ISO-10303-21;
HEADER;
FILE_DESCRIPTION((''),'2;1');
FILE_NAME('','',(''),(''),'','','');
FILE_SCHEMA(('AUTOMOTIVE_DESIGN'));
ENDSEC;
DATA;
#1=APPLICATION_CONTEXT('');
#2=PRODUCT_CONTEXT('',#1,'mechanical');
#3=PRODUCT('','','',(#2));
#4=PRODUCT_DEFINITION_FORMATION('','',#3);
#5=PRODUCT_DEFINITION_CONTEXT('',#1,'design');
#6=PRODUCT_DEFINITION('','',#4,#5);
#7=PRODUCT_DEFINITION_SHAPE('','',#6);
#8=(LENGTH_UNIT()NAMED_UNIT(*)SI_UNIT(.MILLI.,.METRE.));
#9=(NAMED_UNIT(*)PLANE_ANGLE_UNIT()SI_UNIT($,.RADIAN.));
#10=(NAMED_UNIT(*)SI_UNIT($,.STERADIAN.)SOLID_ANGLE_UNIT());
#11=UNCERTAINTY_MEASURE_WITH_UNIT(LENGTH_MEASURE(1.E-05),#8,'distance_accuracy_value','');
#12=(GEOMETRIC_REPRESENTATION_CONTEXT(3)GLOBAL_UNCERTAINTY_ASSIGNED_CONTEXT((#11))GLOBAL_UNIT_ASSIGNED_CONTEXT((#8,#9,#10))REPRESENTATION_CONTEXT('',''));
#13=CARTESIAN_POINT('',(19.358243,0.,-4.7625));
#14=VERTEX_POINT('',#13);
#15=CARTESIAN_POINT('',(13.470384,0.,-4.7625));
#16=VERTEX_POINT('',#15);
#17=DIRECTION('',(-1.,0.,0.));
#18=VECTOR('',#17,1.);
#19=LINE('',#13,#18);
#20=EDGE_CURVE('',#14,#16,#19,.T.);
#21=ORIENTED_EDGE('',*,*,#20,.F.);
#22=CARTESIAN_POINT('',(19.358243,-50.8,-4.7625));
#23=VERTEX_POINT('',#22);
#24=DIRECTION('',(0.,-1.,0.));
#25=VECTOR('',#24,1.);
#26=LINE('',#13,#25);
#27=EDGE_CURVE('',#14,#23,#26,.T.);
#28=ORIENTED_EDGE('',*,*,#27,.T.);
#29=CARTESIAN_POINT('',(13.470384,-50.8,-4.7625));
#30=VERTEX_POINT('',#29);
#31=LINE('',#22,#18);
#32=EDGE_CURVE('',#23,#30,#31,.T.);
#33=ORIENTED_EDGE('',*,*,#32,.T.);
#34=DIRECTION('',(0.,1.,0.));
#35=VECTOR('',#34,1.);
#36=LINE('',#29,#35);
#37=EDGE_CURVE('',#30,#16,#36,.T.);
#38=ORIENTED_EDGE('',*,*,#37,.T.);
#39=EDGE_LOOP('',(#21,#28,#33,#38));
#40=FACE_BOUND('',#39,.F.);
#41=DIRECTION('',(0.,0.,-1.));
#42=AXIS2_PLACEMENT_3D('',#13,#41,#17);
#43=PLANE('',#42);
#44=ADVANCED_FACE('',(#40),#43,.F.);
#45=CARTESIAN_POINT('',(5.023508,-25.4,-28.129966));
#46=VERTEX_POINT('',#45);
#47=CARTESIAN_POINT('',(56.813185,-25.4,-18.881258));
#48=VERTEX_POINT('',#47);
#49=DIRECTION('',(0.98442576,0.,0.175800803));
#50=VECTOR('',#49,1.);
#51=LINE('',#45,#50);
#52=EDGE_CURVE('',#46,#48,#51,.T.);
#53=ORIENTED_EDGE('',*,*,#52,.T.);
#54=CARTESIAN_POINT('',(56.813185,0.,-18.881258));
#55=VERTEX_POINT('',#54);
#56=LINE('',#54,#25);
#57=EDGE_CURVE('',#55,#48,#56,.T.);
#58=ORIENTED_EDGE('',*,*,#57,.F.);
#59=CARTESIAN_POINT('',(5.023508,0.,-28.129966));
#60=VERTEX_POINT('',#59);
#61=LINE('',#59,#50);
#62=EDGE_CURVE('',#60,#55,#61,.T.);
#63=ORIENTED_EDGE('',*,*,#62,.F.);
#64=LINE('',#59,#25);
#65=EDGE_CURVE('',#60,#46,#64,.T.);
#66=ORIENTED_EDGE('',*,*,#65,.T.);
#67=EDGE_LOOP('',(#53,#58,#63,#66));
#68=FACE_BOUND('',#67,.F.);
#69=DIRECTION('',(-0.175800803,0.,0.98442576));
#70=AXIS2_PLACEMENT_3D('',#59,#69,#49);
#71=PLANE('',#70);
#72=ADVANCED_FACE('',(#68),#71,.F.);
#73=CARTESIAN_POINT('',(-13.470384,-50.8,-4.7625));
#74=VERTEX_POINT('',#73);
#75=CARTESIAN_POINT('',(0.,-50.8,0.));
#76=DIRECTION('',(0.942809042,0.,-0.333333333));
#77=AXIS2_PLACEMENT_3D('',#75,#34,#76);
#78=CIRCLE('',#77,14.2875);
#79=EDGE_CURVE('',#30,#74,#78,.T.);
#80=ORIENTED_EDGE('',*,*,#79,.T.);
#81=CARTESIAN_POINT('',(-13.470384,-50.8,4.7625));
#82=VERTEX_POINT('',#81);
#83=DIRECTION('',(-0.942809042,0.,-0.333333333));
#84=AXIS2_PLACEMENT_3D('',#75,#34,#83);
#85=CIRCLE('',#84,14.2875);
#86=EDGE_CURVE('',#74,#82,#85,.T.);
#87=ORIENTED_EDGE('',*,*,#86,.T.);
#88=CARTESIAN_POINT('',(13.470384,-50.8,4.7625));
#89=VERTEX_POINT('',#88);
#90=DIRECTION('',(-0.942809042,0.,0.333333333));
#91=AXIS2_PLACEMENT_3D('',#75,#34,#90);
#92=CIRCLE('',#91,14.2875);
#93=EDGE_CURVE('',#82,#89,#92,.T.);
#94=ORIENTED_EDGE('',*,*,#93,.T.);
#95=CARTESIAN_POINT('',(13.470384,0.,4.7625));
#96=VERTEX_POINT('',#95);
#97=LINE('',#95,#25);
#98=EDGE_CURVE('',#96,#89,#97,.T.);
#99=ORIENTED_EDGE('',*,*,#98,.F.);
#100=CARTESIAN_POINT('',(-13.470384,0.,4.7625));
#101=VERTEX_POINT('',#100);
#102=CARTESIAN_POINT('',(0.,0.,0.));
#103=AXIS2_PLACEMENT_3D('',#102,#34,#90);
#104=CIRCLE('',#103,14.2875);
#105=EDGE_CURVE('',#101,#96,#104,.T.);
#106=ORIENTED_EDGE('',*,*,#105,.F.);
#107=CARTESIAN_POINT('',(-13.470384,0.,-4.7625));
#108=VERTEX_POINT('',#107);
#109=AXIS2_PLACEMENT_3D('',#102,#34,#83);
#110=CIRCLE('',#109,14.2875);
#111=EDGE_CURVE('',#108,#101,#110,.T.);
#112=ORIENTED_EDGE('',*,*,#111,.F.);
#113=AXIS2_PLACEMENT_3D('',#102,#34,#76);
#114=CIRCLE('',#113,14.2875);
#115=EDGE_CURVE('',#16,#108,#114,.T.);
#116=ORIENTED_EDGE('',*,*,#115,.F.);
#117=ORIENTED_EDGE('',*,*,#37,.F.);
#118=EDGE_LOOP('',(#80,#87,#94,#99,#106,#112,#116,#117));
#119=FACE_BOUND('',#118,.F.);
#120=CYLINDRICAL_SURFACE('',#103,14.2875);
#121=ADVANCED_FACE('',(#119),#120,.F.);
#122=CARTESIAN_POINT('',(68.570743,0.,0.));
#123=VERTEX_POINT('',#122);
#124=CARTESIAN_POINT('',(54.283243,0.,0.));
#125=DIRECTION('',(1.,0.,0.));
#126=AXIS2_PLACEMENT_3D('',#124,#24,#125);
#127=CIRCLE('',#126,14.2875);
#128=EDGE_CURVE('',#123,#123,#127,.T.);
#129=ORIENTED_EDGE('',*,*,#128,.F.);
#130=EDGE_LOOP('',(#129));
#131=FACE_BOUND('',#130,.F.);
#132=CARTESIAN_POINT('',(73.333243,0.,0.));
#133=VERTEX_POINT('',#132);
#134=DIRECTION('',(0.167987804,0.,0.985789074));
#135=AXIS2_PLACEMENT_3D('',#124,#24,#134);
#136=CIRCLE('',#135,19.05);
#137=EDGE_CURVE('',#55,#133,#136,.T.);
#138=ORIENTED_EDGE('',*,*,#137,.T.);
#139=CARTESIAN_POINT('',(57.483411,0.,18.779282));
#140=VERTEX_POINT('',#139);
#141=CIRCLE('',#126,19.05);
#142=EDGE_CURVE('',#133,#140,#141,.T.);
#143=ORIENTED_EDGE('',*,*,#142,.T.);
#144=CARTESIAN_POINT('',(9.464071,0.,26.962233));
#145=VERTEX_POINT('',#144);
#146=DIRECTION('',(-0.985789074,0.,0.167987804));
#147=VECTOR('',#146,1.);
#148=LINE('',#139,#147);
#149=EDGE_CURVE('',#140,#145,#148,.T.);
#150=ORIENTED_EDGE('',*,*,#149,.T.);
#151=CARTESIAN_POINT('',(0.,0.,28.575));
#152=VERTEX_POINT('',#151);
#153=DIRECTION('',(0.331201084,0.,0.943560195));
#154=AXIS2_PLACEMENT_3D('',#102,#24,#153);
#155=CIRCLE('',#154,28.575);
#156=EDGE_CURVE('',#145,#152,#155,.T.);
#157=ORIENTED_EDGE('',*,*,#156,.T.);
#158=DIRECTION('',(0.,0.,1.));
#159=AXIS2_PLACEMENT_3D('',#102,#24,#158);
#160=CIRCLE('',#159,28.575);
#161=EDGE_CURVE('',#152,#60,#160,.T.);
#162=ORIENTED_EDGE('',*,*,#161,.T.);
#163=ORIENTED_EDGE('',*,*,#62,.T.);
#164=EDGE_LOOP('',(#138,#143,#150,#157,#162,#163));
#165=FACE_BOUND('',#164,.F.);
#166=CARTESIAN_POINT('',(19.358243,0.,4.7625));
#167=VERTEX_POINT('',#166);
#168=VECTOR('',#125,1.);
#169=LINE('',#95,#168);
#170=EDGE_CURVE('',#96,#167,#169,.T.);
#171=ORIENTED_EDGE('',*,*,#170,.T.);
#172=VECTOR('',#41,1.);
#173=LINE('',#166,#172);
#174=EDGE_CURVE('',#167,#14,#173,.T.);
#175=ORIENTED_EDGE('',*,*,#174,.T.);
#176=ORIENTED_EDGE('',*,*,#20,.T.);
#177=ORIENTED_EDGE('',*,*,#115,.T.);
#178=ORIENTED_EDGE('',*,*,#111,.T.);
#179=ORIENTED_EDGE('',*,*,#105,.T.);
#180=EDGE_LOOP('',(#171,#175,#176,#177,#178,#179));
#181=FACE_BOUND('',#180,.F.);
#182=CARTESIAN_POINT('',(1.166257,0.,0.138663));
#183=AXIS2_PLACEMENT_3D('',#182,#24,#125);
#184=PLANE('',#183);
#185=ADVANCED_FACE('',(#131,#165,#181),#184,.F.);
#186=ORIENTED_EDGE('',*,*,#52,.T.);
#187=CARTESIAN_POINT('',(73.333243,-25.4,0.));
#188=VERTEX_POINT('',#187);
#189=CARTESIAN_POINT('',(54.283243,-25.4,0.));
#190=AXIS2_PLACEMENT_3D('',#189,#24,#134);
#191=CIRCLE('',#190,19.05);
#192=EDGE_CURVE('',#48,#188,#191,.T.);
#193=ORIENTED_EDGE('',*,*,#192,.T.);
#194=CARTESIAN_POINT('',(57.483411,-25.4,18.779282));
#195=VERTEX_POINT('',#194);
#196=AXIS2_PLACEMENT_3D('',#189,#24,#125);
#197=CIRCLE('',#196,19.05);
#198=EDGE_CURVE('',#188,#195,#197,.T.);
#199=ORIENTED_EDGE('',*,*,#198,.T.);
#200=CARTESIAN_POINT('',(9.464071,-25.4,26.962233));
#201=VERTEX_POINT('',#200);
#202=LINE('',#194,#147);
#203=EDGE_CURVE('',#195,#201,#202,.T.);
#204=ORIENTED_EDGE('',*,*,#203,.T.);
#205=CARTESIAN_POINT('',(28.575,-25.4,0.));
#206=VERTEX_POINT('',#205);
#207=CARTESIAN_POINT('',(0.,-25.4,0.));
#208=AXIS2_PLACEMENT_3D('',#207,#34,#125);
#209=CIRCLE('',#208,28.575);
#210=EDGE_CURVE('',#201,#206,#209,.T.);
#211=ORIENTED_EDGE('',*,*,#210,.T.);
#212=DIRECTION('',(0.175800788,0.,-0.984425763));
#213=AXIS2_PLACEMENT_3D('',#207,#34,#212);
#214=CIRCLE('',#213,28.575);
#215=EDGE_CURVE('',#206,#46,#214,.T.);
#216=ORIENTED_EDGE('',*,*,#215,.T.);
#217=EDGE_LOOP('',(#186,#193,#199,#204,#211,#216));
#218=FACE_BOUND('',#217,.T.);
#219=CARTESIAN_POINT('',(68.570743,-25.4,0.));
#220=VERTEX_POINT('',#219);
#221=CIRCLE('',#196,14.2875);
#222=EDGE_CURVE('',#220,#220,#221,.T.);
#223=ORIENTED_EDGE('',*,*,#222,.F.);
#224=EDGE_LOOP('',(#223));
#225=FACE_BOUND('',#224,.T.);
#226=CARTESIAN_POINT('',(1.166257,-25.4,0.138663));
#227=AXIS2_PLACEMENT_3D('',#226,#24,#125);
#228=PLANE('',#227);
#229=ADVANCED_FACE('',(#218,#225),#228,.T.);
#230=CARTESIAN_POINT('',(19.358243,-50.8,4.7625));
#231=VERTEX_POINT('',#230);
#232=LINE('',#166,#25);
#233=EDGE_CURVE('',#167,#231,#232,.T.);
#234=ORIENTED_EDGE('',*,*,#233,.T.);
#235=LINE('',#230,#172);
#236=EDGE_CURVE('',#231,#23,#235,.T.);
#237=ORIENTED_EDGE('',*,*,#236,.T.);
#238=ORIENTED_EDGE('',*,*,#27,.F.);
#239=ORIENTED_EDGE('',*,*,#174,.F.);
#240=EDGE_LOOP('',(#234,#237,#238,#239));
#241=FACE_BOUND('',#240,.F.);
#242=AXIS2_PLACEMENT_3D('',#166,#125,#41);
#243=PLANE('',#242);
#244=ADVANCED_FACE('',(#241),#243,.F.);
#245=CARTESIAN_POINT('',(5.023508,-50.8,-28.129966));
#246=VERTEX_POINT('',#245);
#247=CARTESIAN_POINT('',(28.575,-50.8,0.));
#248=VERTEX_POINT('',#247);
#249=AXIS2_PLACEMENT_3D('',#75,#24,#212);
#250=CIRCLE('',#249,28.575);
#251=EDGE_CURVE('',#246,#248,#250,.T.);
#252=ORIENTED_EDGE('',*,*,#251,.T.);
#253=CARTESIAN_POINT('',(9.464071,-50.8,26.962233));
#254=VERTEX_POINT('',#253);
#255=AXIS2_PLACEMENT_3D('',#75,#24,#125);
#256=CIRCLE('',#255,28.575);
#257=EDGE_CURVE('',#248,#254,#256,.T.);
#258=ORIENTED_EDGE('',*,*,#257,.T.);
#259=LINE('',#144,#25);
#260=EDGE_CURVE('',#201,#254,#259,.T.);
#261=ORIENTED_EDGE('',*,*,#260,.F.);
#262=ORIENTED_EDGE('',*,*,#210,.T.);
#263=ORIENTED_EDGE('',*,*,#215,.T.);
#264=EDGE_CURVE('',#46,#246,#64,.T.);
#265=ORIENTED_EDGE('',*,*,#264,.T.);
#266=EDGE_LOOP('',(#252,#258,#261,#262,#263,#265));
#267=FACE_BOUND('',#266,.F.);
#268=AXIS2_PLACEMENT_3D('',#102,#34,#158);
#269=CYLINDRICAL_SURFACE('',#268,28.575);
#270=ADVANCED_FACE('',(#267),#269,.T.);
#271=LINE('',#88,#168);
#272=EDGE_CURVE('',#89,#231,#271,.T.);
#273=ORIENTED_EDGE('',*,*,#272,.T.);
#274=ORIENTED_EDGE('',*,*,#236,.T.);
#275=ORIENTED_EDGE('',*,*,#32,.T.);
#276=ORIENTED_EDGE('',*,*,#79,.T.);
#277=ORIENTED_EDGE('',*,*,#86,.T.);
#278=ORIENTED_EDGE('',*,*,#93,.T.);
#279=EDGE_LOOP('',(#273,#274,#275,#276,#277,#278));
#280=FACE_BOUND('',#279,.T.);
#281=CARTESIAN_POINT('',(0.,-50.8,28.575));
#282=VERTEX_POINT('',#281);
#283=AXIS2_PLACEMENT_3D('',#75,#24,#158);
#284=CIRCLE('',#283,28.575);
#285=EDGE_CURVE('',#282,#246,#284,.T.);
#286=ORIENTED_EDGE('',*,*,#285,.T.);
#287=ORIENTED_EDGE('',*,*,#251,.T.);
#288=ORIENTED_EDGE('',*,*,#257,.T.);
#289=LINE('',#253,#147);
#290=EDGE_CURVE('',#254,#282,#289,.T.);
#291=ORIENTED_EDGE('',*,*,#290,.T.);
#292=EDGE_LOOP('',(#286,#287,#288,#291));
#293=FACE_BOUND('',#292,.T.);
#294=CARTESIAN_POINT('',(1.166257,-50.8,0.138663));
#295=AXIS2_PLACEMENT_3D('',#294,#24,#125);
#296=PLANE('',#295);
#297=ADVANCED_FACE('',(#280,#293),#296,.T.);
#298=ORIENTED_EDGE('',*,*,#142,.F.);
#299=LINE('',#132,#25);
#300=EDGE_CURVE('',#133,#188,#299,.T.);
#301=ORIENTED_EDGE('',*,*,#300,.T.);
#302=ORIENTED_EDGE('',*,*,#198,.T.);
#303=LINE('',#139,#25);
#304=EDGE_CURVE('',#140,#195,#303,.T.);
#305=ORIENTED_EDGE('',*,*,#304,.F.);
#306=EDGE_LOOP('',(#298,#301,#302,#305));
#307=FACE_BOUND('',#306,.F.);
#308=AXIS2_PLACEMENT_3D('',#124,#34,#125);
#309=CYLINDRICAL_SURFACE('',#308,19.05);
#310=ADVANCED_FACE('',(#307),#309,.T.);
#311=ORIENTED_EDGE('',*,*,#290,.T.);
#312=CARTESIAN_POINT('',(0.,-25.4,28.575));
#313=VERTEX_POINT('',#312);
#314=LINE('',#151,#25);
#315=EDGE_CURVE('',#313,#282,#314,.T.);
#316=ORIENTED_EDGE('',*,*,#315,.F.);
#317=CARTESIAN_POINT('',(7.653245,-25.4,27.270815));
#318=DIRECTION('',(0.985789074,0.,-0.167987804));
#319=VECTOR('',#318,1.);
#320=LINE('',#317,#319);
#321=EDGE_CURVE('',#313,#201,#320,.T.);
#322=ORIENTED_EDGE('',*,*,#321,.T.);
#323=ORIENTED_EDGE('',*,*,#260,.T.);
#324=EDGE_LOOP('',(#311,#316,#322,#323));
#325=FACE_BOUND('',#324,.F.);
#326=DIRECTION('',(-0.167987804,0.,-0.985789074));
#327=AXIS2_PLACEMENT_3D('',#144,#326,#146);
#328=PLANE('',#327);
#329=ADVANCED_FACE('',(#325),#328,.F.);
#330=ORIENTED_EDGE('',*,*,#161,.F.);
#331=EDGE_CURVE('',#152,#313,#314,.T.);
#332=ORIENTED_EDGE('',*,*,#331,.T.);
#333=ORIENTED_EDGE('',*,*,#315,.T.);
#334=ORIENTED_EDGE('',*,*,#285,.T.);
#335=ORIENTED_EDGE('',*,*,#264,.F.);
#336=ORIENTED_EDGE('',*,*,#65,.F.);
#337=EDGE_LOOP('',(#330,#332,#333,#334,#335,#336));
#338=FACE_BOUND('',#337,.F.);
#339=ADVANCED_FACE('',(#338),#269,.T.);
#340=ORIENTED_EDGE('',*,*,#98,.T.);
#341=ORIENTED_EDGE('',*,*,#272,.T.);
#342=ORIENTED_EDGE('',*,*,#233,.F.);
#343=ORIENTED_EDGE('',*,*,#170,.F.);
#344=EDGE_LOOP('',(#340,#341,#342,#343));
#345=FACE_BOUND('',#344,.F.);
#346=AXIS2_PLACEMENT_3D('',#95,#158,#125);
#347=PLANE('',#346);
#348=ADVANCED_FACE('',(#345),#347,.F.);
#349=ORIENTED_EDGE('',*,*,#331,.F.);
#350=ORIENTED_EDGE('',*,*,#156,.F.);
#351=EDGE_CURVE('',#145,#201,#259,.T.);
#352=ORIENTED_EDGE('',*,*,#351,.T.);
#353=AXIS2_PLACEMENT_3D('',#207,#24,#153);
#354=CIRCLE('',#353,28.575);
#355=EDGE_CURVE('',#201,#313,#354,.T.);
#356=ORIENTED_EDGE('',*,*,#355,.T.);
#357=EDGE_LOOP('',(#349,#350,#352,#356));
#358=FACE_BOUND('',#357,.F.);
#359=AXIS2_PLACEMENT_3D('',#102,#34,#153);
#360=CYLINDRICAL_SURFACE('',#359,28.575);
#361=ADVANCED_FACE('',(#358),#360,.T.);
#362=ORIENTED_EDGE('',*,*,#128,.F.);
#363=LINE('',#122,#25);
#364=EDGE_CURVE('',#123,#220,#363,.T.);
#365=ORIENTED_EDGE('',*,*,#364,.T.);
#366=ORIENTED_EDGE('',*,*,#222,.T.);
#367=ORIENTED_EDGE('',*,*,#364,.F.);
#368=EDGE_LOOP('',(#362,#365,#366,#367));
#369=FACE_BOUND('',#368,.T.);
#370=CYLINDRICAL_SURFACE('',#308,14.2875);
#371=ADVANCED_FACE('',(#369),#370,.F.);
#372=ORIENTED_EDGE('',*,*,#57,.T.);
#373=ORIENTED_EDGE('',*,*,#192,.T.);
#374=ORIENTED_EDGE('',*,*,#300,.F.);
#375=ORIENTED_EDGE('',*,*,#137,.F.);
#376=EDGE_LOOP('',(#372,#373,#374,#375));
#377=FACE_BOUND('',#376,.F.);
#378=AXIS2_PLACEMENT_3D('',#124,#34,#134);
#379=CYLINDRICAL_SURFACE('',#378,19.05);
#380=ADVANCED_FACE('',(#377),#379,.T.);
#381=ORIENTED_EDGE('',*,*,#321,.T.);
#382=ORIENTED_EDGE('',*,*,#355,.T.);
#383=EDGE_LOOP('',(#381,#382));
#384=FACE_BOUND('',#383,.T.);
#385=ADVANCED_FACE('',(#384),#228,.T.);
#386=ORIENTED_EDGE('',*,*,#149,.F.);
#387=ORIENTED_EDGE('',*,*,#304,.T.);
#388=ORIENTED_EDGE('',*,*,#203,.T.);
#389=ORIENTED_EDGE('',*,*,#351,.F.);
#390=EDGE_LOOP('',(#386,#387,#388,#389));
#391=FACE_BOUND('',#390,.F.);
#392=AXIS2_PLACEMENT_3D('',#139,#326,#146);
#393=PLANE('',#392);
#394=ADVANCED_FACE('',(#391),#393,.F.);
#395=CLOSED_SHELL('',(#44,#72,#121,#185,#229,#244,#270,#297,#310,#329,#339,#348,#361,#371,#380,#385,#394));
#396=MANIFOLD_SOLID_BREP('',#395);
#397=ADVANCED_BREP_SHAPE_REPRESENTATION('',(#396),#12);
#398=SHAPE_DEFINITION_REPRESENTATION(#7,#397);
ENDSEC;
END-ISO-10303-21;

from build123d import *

# Parameters (mm, degrees)
F0_R     = 14.2875
F1_DEPTH = 25.4
F2_DEPTH = 50.8


with BuildPart() as f1:
    # F0 (on Front) → F1 (new body)
    with BuildSketch(Plane.XZ):
        with BuildLine():
            ThreePointArc((5.0235075245, -28.1299661776), (21.9097849432, -18.3437168737), (28.575, 0))
            ThreePointArc((28.575, 0), (23.3127267057, 16.5241459249), (9.4640709678, 26.9622325803))
            Line((9.4640709678, 26.9622325803), (0, 28.575))
            ThreePointArc((0, 28.575), (-28.4635241012, -2.5215909141), (5.0235075245, -28.1299661776))
        make_face()
        with BuildLine():
            ThreePointArc((-13.4703841816, 4.7625), (0, 14.2875), (13.4703841816, 4.7625))
            Line((13.4703841816, 4.7625), (19.3582428957, 4.7625))
            Line((19.3582428957, 4.7625), (19.3582428957, -4.7625))
            Line((19.3582428957, -4.7625), (13.4703841816, -4.7625))
            ThreePointArc((13.4703841816, -4.7625), (0, -14.2875), (-13.4703841816, -4.7625))
            Line((-13.4703841816, -4.7625), (-18.7417571043, -4.7625))
            Line((-18.7417571043, -4.7625), (-18.7417571043, 4.7625))
            Line((-18.7417571043, 4.7625), (-13.4703841816, 4.7625))
        make_face(mode=Mode.SUBTRACT)
        with BuildLine():
            ThreePointArc((9.4640709678, 26.9622325803), (23.3127267057, 16.5241459249), (28.575, 0))
            ThreePointArc((28.575, 0), (21.9097849432, -18.3437168737), (5.0235075245, -28.1299661776))
            Line((5.0235075245, -28.1299661776), (56.8131846517, -18.881257763))
            ThreePointArc((56.8131846517, -18.881257763), (35.2362588947, 0.3389697117), (57.4834105655, 18.7792818522))
            Line((57.4834105655, 18.7792818522), (9.4640709678, 26.9622325803))
        make_face()
        with BuildLine():
            Line((0, 28.575), (9.4640709678, 26.9622325803))
            ThreePointArc((9.4640709678, 26.9622325803), (4.8002515047, 28.1689227783), (0, 28.575))
        make_face()
        with BuildLine():
            ThreePointArc((73.3332428957, 0), (68.84115645, 12.2869708612), (57.4834105655, 18.7792818522))
            ThreePointArc((57.4834105655, 18.7792818522), (35.2362588947, 0.3389697117), (56.8131846517, -18.881257763))
            ThreePointArc((56.8131846517, -18.881257763), (68.6202211417, -12.5440645237), (73.3332428957, 0))
        make_face()
        with Locations((54.2832428957, 0)):
            Circle(F0_R, mode=Mode.SUBTRACT)
    extrude(amount=F1_DEPTH)

    # F0 (on Front) → F2 (join)
    with BuildSketch(Plane.XZ):
        with BuildLine():
            ThreePointArc((5.0235075245, -28.1299661776), (21.9097849432, -18.3437168737), (28.575, 0))
            ThreePointArc((28.575, 0), (23.3127267057, 16.5241459249), (9.4640709678, 26.9622325803))
            Line((9.4640709678, 26.9622325803), (0, 28.575))
            ThreePointArc((0, 28.575), (-28.4635241012, -2.5215909141), (5.0235075245, -28.1299661776))
        make_face()
        with BuildLine():
            ThreePointArc((-13.4703841816, 4.7625), (0, 14.2875), (13.4703841816, 4.7625))
            Line((13.4703841816, 4.7625), (19.3582428957, 4.7625))
            Line((19.3582428957, 4.7625), (19.3582428957, -4.7625))
            Line((19.3582428957, -4.7625), (13.4703841816, -4.7625))
            ThreePointArc((13.4703841816, -4.7625), (0, -14.2875), (-13.4703841816, -4.7625))
            Line((-13.4703841816, -4.7625), (-18.7417571043, -4.7625))
            Line((-18.7417571043, -4.7625), (-18.7417571043, 4.7625))
            Line((-18.7417571043, 4.7625), (-13.4703841816, 4.7625))
        make_face(mode=Mode.SUBTRACT)
        with BuildLine():
            ThreePointArc((-13.4703841816, -4.7625), (-14.2875, 0), (-13.4703841816, 4.7625))
            Line((-13.4703841816, 4.7625), (-18.7417571043, 4.7625))
            Line((-18.7417571043, 4.7625), (-18.7417571043, -4.7625))
            Line((-18.7417571043, -4.7625), (-13.4703841816, -4.7625))
        make_face()
    extrude(amount=F2_DEPTH)


solid = f1.part
